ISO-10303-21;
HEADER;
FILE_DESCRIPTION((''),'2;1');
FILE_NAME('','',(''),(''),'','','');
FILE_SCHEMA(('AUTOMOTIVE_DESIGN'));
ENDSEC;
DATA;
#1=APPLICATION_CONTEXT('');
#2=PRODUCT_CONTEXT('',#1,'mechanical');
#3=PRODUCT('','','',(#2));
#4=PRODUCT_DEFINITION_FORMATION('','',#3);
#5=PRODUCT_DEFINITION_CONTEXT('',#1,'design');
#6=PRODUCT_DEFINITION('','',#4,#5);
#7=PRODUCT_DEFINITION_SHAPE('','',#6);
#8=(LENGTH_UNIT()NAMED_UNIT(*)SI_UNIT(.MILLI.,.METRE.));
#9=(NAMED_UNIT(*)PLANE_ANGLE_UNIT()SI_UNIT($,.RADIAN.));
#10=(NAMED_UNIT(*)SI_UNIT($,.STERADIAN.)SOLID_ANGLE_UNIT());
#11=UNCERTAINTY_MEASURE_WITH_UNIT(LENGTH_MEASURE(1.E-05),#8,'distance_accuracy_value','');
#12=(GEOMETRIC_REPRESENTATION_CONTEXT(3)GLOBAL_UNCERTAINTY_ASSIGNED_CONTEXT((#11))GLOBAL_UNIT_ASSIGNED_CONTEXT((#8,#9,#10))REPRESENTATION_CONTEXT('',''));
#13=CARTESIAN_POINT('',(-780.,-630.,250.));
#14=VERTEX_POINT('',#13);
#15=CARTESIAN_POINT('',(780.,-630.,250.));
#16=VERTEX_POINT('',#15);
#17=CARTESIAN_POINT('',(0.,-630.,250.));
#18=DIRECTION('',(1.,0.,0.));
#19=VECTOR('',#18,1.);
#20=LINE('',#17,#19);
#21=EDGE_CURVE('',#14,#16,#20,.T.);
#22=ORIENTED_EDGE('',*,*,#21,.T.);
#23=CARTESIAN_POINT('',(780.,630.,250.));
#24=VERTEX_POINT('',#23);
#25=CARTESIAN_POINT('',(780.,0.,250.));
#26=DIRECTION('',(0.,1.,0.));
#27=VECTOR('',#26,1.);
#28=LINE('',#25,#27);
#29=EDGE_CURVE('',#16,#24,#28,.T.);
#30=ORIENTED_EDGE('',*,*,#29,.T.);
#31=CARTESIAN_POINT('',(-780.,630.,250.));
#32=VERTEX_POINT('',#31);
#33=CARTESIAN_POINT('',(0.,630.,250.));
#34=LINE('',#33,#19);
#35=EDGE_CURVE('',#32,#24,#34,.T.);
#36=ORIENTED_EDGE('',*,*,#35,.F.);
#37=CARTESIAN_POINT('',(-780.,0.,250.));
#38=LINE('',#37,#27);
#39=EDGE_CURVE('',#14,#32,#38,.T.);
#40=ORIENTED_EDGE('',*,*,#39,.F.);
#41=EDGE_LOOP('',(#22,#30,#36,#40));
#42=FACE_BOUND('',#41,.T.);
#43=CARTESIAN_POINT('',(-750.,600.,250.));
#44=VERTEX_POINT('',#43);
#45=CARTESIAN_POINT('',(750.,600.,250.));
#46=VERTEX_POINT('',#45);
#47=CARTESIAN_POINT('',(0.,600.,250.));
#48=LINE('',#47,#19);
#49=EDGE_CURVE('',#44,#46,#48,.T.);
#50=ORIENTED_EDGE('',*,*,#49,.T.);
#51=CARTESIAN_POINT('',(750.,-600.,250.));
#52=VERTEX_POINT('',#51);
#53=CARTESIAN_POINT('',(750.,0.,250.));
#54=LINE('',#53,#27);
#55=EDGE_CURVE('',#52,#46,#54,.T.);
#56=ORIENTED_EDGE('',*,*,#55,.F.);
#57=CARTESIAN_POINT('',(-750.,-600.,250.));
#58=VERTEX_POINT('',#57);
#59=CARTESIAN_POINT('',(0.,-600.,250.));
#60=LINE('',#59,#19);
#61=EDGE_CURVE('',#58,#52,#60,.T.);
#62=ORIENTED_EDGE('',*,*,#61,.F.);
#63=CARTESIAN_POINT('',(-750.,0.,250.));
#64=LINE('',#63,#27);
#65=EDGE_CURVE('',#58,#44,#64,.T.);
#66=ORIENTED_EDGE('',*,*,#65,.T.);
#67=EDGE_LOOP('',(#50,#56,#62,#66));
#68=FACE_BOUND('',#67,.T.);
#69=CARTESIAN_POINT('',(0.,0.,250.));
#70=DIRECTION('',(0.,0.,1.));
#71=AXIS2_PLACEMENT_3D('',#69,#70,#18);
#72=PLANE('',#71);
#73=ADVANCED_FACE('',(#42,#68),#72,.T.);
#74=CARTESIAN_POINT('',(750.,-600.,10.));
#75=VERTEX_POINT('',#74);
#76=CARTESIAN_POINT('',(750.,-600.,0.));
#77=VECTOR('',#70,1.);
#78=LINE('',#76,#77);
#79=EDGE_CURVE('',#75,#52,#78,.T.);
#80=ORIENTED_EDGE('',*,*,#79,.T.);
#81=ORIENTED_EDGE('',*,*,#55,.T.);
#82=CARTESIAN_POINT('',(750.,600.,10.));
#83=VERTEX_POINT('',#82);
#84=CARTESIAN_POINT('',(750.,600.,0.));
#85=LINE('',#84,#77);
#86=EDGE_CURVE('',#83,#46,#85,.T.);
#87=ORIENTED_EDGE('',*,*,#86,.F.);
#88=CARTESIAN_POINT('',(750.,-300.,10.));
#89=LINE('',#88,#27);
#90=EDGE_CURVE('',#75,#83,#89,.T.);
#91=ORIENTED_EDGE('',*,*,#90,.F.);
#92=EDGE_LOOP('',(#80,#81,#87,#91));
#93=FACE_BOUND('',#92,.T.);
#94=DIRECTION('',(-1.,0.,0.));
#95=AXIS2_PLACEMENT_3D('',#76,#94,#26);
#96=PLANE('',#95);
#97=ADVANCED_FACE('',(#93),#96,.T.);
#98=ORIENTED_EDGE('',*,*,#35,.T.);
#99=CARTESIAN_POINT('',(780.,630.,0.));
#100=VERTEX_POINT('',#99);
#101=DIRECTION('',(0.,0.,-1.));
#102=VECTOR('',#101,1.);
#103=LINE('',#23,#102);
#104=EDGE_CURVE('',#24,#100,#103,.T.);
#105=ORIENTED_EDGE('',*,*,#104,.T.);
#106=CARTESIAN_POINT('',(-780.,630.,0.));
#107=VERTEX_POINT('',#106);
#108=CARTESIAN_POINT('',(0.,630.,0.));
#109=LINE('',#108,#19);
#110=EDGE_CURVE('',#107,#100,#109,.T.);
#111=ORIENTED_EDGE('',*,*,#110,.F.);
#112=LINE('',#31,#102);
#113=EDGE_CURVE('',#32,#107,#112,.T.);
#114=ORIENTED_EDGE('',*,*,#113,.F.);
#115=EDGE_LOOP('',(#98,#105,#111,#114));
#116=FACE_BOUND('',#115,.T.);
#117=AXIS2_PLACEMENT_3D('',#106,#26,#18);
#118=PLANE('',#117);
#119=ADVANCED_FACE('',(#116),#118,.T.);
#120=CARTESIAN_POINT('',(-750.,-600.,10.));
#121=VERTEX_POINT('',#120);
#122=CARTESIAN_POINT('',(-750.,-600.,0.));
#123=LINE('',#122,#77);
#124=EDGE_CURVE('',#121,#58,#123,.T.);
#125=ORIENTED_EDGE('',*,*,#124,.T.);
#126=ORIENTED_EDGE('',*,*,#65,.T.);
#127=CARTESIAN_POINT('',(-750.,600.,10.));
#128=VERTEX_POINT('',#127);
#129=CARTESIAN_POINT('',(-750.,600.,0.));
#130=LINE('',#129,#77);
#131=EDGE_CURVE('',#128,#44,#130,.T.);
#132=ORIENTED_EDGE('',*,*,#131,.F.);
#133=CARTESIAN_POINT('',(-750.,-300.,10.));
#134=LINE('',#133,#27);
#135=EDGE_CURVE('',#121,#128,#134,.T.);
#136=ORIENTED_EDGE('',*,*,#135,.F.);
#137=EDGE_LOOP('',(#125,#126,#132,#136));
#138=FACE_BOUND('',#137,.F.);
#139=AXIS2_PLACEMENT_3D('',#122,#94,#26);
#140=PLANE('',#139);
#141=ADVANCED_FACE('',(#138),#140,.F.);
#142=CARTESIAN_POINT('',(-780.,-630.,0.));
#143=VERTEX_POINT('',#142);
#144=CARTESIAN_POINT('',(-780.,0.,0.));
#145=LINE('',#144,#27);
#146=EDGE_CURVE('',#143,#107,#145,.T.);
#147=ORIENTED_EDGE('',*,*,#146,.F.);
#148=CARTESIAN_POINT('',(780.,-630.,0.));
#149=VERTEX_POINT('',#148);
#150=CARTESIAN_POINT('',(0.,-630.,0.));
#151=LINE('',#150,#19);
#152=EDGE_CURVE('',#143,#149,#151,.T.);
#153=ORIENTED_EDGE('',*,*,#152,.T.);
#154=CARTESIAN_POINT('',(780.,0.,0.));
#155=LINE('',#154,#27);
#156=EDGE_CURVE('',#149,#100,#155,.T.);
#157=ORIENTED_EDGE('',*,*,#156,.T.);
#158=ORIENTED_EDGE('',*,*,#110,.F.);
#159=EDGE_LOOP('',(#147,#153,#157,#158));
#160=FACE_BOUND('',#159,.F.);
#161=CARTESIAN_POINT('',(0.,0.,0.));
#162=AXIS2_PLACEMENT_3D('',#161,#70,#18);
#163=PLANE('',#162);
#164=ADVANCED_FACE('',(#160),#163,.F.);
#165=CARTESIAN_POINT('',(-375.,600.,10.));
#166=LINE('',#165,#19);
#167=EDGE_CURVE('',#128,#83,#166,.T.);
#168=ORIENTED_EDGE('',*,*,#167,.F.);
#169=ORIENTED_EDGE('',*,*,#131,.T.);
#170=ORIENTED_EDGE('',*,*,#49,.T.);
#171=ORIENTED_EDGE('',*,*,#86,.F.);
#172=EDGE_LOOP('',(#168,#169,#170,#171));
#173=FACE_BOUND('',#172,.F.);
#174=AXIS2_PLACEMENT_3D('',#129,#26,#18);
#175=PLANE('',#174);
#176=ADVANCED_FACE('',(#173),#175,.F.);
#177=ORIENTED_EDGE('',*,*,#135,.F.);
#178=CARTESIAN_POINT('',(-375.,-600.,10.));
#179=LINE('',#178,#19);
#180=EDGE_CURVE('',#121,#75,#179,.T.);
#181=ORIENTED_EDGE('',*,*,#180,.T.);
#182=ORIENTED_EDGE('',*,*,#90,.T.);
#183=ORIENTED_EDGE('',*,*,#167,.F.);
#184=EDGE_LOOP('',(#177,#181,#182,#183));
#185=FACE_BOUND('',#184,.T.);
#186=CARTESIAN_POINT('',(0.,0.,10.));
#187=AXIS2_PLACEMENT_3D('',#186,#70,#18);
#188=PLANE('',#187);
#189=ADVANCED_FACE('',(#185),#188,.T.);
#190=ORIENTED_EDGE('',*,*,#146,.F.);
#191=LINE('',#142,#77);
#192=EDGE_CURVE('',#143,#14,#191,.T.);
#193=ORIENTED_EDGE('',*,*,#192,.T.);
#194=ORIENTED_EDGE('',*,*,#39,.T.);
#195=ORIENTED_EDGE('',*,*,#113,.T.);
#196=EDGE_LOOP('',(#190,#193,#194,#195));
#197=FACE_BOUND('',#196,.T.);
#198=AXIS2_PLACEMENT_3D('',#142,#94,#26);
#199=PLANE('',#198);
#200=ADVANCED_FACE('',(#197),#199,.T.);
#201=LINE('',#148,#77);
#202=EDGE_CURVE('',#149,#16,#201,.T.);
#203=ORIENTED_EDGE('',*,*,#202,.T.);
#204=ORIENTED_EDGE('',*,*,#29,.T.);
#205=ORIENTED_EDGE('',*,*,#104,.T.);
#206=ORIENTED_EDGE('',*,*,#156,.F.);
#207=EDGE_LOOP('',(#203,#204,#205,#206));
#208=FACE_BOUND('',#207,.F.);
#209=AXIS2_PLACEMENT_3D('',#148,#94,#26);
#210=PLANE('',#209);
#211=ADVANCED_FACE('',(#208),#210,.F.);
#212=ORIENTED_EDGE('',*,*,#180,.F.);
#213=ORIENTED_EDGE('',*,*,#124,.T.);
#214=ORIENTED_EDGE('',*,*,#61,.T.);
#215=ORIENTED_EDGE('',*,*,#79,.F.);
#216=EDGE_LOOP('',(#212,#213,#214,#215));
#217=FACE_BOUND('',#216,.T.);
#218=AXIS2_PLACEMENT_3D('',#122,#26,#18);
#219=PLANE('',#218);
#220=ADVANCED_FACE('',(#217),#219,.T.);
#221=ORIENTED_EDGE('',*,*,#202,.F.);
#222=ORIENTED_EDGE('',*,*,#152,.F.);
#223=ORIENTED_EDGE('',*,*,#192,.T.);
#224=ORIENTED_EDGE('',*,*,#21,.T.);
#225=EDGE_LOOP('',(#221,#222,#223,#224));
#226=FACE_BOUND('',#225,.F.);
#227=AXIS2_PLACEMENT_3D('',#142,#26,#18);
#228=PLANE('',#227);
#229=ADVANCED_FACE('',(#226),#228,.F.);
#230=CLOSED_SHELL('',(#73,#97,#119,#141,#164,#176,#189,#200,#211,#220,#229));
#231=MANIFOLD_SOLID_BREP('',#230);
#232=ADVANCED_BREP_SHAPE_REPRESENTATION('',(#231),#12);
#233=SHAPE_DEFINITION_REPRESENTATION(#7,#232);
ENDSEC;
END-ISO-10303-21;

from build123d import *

# Parameters (mm, degrees)
F0_W     = 1560
F0_H     = 1260
F0_W_2   = 1500
F0_H_2   = 1200
F1_DEPTH = 250
F2_DEPTH = 10


with BuildPart() as f1:
    # F0 (on Top) → F1 (new body)
    with BuildSketch(Plane.XY):
        Rectangle(F0_W, F0_H)
        Rectangle(F0_W_2, F0_H_2, mode=Mode.SUBTRACT)
    extrude(amount=F1_DEPTH)

    # F0 (on Top) → F2 (join)
    with BuildSketch(Plane.XY):
        Rectangle(F0_W, F0_H)
        Rectangle(F0_W_2, F0_H_2, mode=Mode.SUBTRACT)
        Rectangle(F0_W_2, F0_H_2)
    extrude(amount=F2_DEPTH)


solid = f1.part
